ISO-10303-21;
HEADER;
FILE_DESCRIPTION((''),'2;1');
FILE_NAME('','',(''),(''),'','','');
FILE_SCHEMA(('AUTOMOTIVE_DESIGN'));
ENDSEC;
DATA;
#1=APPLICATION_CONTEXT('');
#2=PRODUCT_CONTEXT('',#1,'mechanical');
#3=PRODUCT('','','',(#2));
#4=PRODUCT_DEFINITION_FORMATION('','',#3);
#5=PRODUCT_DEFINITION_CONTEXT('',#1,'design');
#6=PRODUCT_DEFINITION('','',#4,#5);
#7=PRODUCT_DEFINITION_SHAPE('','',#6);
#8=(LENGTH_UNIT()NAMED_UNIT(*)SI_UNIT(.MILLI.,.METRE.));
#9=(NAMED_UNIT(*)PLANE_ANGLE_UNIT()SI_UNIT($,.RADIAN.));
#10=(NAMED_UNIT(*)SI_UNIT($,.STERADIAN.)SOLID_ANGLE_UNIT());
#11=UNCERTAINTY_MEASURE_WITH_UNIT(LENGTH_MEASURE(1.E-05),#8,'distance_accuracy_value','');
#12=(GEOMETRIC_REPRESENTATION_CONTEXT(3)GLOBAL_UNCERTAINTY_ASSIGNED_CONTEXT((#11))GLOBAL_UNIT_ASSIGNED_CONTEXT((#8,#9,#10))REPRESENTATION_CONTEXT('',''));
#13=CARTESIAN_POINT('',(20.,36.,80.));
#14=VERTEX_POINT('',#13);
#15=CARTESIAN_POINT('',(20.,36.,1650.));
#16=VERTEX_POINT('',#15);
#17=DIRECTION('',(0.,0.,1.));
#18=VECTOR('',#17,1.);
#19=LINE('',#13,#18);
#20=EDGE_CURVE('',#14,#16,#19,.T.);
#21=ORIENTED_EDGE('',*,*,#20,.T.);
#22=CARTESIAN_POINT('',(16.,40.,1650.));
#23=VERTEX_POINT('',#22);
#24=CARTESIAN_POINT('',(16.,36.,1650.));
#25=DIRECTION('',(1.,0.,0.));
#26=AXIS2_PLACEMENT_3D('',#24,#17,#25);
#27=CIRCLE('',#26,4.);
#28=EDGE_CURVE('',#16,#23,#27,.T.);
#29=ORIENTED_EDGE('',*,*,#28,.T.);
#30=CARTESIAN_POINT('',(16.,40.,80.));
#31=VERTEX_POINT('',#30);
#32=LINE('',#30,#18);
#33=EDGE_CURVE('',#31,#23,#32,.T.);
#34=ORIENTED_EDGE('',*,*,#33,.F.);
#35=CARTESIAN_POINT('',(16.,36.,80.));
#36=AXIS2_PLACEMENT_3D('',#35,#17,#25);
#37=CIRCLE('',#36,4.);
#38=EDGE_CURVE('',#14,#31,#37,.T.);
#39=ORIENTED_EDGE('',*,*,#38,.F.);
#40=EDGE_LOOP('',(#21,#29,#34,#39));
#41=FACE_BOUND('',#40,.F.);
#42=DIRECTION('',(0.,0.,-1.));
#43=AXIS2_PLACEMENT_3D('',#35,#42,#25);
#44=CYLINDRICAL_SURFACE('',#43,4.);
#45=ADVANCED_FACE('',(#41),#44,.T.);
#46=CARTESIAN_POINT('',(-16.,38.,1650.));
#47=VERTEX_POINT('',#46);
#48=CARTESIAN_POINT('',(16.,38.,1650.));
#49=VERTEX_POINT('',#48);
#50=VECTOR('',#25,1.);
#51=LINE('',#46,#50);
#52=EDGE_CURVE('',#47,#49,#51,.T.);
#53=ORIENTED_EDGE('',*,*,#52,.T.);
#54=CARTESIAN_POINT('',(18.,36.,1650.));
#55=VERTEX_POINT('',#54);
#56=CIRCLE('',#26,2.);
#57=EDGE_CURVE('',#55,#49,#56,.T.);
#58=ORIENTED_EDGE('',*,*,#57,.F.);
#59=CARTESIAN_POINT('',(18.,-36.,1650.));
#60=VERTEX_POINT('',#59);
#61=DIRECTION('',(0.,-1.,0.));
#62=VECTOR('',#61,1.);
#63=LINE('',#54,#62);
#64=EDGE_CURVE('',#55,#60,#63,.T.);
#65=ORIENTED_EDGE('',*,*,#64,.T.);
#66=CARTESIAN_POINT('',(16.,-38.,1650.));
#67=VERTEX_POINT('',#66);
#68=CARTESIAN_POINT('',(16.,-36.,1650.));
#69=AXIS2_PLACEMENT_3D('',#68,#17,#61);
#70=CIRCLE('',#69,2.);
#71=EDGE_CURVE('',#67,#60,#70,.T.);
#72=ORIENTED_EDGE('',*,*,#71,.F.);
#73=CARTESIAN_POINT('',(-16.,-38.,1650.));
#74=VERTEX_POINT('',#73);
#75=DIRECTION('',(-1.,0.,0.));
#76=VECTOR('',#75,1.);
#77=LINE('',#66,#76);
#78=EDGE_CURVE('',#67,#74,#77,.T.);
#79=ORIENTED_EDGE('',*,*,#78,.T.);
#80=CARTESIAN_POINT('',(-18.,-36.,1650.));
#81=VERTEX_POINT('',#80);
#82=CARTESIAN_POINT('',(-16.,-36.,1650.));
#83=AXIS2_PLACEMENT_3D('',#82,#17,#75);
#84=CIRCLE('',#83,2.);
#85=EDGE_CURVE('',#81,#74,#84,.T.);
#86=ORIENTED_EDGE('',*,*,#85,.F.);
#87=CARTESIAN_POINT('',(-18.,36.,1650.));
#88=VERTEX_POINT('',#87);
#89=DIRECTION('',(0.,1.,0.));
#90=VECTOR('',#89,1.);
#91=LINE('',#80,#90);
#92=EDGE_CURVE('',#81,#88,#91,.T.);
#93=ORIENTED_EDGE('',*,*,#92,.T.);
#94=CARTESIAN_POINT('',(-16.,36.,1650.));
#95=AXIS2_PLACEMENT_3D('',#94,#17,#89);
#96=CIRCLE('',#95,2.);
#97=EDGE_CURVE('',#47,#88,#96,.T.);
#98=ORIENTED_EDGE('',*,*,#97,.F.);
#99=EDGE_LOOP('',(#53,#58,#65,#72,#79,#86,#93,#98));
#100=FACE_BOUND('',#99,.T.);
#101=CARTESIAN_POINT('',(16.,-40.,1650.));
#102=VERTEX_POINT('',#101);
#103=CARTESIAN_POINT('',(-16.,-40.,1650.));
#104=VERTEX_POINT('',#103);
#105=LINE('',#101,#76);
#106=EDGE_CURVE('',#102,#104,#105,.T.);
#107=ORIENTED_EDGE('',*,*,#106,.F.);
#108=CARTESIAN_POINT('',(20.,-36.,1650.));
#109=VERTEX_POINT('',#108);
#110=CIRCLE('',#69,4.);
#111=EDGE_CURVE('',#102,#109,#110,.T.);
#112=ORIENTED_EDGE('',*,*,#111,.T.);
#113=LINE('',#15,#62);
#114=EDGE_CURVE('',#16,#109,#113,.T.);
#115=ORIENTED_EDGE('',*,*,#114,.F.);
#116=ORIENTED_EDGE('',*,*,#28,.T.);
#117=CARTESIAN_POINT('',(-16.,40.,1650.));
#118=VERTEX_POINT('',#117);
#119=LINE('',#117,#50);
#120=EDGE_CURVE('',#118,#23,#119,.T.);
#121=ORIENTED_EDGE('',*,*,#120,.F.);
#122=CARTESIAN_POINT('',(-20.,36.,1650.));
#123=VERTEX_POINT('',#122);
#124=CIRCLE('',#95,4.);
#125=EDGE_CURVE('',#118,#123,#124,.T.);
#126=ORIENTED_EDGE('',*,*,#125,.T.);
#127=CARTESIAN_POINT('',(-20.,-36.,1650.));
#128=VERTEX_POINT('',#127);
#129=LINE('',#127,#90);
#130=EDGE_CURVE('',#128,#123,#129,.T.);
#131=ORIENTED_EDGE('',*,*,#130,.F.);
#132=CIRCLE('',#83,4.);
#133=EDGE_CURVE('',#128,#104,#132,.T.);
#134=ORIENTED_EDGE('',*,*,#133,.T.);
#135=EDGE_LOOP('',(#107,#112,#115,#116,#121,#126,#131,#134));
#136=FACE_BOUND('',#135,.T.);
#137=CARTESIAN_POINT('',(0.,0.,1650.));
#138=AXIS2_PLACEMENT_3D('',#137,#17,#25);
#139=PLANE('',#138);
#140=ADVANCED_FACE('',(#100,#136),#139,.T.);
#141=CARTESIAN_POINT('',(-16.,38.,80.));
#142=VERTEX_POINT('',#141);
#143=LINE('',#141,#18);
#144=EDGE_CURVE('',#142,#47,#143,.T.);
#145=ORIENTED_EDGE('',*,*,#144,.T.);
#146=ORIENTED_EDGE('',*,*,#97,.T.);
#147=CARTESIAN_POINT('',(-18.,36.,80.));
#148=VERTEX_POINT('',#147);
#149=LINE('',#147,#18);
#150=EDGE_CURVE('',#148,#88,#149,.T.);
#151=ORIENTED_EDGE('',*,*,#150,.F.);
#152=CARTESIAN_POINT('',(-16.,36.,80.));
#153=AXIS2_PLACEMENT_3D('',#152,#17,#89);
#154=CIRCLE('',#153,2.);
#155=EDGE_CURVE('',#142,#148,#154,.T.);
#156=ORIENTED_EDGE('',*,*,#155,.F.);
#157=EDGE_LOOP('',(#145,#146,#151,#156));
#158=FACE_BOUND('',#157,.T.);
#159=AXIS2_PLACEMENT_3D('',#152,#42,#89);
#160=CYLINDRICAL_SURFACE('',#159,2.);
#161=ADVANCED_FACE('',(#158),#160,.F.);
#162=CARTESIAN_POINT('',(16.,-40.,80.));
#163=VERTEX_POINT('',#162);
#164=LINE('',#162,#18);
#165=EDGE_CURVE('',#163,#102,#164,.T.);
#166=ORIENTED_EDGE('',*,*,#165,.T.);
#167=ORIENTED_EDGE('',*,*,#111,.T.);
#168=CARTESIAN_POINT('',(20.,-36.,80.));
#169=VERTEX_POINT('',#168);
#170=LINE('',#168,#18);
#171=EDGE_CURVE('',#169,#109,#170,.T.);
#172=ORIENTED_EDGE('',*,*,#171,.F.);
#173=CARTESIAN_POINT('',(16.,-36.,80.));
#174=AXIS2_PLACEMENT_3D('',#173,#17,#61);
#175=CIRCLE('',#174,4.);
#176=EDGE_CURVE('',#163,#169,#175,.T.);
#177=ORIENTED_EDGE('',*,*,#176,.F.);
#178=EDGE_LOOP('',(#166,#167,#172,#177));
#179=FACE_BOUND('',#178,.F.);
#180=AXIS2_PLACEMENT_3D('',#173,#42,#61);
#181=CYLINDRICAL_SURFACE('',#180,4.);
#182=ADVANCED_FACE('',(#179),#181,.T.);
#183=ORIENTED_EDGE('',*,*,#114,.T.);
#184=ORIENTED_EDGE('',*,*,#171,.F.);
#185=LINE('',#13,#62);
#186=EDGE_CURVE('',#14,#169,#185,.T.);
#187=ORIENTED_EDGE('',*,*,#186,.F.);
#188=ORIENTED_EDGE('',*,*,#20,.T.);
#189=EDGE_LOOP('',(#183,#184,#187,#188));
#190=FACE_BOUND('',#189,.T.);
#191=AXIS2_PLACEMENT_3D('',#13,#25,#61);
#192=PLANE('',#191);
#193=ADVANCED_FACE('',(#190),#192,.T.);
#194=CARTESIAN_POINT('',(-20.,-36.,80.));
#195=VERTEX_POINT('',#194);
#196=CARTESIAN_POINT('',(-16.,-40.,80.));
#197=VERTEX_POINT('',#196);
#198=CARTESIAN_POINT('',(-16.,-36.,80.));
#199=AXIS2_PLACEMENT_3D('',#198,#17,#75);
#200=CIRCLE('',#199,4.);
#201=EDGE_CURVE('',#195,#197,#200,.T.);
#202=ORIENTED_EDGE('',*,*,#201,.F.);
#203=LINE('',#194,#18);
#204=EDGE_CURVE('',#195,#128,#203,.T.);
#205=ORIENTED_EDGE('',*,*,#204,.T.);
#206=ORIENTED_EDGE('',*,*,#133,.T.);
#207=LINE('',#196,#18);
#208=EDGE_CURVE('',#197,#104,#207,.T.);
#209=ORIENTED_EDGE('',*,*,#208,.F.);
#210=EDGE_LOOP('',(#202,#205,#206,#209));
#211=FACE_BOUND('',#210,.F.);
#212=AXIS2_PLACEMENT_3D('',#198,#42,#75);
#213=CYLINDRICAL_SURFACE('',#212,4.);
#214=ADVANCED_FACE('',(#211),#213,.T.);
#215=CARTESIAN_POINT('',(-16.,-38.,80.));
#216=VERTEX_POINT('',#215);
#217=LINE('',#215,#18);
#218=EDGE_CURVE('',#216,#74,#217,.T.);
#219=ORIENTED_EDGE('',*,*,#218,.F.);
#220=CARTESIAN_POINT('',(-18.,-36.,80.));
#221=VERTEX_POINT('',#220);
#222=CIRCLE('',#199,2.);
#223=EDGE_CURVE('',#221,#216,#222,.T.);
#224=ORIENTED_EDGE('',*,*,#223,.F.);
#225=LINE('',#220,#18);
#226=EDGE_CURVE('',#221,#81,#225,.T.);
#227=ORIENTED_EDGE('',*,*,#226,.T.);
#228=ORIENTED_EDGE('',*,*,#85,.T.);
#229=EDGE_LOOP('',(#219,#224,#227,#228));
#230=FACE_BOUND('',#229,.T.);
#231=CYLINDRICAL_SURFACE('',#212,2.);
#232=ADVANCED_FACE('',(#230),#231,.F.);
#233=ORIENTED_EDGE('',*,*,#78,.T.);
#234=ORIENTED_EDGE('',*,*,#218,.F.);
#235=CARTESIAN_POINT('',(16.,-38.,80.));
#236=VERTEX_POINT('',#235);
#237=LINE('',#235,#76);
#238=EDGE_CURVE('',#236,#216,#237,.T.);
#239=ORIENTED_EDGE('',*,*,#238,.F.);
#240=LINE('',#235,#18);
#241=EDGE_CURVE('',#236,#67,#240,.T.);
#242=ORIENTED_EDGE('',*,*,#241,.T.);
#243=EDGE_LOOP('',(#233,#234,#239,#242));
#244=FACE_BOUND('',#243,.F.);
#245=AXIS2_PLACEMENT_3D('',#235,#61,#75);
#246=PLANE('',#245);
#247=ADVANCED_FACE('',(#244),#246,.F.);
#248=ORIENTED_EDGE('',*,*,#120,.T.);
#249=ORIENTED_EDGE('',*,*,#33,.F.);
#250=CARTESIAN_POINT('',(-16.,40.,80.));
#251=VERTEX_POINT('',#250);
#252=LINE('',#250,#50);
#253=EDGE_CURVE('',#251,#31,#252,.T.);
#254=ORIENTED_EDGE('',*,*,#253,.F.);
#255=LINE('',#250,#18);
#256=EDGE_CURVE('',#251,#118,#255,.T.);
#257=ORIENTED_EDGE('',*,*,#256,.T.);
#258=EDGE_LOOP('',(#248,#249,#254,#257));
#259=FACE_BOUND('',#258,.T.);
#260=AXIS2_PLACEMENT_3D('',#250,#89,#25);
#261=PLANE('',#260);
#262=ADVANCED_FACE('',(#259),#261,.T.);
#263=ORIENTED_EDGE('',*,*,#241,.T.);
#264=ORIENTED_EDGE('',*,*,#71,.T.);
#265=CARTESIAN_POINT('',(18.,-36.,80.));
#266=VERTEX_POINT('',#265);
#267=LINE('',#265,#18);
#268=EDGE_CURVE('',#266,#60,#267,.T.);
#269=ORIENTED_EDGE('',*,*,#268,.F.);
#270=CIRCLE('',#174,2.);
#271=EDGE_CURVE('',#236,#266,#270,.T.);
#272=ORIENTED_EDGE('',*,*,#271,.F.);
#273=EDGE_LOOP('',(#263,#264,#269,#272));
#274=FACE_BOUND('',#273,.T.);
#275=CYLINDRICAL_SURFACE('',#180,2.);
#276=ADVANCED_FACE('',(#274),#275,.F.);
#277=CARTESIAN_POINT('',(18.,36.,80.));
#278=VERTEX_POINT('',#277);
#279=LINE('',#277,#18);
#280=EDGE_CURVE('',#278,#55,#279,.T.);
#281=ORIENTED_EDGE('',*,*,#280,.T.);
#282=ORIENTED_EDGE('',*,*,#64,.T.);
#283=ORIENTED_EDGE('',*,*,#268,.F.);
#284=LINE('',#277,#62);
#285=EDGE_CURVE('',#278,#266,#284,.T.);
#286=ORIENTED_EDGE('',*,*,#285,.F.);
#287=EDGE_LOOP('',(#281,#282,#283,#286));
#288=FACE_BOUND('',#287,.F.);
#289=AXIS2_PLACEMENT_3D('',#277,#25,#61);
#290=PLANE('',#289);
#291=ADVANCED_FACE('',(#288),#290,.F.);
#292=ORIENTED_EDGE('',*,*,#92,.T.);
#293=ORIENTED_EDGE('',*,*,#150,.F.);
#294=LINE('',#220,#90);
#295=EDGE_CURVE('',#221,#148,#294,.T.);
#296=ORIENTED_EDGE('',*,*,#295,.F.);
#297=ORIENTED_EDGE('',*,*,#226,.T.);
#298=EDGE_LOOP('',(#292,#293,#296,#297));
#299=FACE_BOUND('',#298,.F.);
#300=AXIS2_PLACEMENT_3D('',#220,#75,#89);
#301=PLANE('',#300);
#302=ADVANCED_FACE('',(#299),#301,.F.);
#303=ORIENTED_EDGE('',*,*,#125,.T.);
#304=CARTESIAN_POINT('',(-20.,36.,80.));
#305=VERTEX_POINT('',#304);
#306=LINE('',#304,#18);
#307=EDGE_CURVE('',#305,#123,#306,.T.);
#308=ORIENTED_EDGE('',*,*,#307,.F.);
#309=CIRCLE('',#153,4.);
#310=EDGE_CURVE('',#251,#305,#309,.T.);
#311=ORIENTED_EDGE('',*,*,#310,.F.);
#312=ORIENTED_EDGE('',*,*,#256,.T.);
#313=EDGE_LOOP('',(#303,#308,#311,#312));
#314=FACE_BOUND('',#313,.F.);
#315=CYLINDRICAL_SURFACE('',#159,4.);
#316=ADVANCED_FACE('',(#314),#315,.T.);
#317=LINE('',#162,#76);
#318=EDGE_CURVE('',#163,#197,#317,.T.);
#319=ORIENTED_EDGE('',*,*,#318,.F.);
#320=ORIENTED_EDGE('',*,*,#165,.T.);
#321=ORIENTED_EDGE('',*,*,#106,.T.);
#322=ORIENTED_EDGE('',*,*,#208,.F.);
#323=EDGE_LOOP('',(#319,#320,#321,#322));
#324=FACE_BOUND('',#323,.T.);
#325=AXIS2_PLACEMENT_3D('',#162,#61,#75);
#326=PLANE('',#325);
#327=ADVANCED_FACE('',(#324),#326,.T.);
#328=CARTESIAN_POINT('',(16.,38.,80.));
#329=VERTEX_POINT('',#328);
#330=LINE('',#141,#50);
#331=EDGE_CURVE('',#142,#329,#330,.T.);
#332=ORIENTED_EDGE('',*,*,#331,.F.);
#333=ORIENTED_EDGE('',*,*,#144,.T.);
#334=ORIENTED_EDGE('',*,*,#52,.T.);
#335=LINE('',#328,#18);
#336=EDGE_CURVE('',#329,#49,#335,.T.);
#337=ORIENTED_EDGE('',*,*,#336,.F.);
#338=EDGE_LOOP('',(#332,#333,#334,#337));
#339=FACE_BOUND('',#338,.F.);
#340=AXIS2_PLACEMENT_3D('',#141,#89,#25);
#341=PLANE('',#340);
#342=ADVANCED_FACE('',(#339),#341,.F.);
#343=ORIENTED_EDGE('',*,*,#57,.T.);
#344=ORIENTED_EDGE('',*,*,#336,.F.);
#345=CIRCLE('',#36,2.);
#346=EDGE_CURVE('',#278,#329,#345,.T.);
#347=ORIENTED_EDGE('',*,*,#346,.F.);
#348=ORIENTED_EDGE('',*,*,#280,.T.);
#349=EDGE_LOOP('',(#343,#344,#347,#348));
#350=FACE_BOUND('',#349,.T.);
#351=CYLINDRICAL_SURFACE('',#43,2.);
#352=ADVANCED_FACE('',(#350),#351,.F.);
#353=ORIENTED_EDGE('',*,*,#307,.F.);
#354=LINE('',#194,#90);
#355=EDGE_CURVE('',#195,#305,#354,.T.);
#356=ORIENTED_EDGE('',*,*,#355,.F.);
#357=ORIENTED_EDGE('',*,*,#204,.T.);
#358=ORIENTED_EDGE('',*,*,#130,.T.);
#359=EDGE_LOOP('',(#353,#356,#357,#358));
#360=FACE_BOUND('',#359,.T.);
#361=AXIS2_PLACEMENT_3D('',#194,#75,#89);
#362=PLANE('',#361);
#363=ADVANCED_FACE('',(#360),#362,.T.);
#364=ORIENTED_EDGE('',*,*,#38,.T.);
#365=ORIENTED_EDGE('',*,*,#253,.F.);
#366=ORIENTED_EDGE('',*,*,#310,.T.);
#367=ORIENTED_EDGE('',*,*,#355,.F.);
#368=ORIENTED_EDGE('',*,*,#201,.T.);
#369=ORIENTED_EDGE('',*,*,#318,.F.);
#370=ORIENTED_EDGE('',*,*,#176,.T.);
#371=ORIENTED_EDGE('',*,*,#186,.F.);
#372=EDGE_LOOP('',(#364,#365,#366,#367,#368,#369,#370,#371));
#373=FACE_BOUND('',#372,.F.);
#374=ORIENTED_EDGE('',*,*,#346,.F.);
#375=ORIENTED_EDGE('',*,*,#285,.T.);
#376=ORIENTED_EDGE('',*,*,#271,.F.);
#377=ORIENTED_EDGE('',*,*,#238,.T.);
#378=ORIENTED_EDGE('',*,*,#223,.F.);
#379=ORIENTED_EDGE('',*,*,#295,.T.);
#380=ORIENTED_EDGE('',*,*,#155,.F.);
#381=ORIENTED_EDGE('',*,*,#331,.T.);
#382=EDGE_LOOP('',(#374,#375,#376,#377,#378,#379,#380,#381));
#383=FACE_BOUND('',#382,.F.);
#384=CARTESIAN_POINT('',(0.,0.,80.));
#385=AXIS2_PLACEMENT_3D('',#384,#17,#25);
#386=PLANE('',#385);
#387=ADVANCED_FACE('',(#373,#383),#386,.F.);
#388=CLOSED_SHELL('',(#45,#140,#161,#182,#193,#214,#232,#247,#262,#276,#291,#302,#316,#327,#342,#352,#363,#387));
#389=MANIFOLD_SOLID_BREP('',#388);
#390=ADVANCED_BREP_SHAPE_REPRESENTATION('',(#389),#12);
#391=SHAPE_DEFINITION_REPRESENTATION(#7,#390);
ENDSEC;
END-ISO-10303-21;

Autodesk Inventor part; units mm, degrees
ref_plane "YZ Plane" through (0, 0, 0) normal (1, 0, 0) x (0, 1, 0)
ref_plane "Start Plane" through (0, 0, 80) normal (0, 0, 1) x (1, 0, 0)
ref_plane "End Plane" through (0, 0, 1650) normal (0, 0, 1) x (1, 0, 0)
sketch "Sketch" plane through (0, 0, 0) normal (0, 0, 1) x (1, 0, 0)
  line L0 (-20, -36) -> (-20, 36)
  line L1 (-16, 40) -> (16, 40)
  line L2 (20, 36) -> (20, -36)
  line L3 (16, -40) -> (-16, -40)
  arc A0 (-20, -36) -> (-16, -40) centre (-16, -36) ccw
  arc A1 (20, 36) -> (16, 40) centre (16, 36) ccw
  arc A2 (-16, 40) -> (-20, 36) centre (-16, 36) ccw
  arc A3 (16, -40) -> (20, -36) centre (16, -36) ccw
  arc A4 (-16, 38) -> (-18, 36) centre (-16, 36) ccw
  line L4 (-16, 38) -> (16, 38)
  arc A5 (18, 36) -> (16, 38) centre (16, 36) ccw
  line L5 (18, 36) -> (18, -36)
  arc A6 (16, -38) -> (18, -36) centre (16, -36) ccw
  line L6 (16, -38) -> (-16, -38)
  arc A7 (-18, -36) -> (-16, -38) centre (-16, -36) ccw
  line L7 (-18, -36) -> (-18, 36)
  line L8 (0, 57.1598) -> (0, -57.1598) construction
  line L9 (-29.1598, 0) -> (29.1598, 0) construction
  dimension "d7" = 4
  dimension "d9" = 40
  dimension "d11" = 80
  dimension "d12" = 2
  dimension "d15" = 20
  dimension "d16" = 40
extrude "Body" add sketch "Sketch" along normal up to surface (1570 mm away) from surface at 80
sketch "Sketch3" plane through (0, 0, 0) normal (0, 0, 1) x (1, 0, 0)
  line L0 (0, 0) -> (10, 0)
ref_plane "Work Plane3" through (0, 0, 0) normal (0, -1, 0) x (1, 0, 0)
sketch "Sketch4" plane through (0, 0, 0) normal (0, -1, 0) x (1, 0, 0)
  line L0 (-2, 80) -> (12, 80) projected
  line L1 (-2, 1650) -> (12, 1650) projected
  dimension "d18" = 1570
equation "\"d7\" = G_IR"
equation "\"d9\" = G_W"
equation "\"d11\" = G_H"
equation "\"d12\" = G_T"
equation "\"d15\" = 0.5 * d9"
equation "\"d16\" = 0.5 * d11"
equation "\"d3\" = G_L"
equation "\"G_W\" = 40"
equation "\"G_H\" = 80"
equation "\"G_T\" = 2"
equation "\"G_IR\" = 4"
equation "\"G_L\" = d18"
equation "\"G_OFFSET_END\" = 0"
properties part number "ISO 4019 - 80x40x2 - 1570" material "Steel, Mild"
